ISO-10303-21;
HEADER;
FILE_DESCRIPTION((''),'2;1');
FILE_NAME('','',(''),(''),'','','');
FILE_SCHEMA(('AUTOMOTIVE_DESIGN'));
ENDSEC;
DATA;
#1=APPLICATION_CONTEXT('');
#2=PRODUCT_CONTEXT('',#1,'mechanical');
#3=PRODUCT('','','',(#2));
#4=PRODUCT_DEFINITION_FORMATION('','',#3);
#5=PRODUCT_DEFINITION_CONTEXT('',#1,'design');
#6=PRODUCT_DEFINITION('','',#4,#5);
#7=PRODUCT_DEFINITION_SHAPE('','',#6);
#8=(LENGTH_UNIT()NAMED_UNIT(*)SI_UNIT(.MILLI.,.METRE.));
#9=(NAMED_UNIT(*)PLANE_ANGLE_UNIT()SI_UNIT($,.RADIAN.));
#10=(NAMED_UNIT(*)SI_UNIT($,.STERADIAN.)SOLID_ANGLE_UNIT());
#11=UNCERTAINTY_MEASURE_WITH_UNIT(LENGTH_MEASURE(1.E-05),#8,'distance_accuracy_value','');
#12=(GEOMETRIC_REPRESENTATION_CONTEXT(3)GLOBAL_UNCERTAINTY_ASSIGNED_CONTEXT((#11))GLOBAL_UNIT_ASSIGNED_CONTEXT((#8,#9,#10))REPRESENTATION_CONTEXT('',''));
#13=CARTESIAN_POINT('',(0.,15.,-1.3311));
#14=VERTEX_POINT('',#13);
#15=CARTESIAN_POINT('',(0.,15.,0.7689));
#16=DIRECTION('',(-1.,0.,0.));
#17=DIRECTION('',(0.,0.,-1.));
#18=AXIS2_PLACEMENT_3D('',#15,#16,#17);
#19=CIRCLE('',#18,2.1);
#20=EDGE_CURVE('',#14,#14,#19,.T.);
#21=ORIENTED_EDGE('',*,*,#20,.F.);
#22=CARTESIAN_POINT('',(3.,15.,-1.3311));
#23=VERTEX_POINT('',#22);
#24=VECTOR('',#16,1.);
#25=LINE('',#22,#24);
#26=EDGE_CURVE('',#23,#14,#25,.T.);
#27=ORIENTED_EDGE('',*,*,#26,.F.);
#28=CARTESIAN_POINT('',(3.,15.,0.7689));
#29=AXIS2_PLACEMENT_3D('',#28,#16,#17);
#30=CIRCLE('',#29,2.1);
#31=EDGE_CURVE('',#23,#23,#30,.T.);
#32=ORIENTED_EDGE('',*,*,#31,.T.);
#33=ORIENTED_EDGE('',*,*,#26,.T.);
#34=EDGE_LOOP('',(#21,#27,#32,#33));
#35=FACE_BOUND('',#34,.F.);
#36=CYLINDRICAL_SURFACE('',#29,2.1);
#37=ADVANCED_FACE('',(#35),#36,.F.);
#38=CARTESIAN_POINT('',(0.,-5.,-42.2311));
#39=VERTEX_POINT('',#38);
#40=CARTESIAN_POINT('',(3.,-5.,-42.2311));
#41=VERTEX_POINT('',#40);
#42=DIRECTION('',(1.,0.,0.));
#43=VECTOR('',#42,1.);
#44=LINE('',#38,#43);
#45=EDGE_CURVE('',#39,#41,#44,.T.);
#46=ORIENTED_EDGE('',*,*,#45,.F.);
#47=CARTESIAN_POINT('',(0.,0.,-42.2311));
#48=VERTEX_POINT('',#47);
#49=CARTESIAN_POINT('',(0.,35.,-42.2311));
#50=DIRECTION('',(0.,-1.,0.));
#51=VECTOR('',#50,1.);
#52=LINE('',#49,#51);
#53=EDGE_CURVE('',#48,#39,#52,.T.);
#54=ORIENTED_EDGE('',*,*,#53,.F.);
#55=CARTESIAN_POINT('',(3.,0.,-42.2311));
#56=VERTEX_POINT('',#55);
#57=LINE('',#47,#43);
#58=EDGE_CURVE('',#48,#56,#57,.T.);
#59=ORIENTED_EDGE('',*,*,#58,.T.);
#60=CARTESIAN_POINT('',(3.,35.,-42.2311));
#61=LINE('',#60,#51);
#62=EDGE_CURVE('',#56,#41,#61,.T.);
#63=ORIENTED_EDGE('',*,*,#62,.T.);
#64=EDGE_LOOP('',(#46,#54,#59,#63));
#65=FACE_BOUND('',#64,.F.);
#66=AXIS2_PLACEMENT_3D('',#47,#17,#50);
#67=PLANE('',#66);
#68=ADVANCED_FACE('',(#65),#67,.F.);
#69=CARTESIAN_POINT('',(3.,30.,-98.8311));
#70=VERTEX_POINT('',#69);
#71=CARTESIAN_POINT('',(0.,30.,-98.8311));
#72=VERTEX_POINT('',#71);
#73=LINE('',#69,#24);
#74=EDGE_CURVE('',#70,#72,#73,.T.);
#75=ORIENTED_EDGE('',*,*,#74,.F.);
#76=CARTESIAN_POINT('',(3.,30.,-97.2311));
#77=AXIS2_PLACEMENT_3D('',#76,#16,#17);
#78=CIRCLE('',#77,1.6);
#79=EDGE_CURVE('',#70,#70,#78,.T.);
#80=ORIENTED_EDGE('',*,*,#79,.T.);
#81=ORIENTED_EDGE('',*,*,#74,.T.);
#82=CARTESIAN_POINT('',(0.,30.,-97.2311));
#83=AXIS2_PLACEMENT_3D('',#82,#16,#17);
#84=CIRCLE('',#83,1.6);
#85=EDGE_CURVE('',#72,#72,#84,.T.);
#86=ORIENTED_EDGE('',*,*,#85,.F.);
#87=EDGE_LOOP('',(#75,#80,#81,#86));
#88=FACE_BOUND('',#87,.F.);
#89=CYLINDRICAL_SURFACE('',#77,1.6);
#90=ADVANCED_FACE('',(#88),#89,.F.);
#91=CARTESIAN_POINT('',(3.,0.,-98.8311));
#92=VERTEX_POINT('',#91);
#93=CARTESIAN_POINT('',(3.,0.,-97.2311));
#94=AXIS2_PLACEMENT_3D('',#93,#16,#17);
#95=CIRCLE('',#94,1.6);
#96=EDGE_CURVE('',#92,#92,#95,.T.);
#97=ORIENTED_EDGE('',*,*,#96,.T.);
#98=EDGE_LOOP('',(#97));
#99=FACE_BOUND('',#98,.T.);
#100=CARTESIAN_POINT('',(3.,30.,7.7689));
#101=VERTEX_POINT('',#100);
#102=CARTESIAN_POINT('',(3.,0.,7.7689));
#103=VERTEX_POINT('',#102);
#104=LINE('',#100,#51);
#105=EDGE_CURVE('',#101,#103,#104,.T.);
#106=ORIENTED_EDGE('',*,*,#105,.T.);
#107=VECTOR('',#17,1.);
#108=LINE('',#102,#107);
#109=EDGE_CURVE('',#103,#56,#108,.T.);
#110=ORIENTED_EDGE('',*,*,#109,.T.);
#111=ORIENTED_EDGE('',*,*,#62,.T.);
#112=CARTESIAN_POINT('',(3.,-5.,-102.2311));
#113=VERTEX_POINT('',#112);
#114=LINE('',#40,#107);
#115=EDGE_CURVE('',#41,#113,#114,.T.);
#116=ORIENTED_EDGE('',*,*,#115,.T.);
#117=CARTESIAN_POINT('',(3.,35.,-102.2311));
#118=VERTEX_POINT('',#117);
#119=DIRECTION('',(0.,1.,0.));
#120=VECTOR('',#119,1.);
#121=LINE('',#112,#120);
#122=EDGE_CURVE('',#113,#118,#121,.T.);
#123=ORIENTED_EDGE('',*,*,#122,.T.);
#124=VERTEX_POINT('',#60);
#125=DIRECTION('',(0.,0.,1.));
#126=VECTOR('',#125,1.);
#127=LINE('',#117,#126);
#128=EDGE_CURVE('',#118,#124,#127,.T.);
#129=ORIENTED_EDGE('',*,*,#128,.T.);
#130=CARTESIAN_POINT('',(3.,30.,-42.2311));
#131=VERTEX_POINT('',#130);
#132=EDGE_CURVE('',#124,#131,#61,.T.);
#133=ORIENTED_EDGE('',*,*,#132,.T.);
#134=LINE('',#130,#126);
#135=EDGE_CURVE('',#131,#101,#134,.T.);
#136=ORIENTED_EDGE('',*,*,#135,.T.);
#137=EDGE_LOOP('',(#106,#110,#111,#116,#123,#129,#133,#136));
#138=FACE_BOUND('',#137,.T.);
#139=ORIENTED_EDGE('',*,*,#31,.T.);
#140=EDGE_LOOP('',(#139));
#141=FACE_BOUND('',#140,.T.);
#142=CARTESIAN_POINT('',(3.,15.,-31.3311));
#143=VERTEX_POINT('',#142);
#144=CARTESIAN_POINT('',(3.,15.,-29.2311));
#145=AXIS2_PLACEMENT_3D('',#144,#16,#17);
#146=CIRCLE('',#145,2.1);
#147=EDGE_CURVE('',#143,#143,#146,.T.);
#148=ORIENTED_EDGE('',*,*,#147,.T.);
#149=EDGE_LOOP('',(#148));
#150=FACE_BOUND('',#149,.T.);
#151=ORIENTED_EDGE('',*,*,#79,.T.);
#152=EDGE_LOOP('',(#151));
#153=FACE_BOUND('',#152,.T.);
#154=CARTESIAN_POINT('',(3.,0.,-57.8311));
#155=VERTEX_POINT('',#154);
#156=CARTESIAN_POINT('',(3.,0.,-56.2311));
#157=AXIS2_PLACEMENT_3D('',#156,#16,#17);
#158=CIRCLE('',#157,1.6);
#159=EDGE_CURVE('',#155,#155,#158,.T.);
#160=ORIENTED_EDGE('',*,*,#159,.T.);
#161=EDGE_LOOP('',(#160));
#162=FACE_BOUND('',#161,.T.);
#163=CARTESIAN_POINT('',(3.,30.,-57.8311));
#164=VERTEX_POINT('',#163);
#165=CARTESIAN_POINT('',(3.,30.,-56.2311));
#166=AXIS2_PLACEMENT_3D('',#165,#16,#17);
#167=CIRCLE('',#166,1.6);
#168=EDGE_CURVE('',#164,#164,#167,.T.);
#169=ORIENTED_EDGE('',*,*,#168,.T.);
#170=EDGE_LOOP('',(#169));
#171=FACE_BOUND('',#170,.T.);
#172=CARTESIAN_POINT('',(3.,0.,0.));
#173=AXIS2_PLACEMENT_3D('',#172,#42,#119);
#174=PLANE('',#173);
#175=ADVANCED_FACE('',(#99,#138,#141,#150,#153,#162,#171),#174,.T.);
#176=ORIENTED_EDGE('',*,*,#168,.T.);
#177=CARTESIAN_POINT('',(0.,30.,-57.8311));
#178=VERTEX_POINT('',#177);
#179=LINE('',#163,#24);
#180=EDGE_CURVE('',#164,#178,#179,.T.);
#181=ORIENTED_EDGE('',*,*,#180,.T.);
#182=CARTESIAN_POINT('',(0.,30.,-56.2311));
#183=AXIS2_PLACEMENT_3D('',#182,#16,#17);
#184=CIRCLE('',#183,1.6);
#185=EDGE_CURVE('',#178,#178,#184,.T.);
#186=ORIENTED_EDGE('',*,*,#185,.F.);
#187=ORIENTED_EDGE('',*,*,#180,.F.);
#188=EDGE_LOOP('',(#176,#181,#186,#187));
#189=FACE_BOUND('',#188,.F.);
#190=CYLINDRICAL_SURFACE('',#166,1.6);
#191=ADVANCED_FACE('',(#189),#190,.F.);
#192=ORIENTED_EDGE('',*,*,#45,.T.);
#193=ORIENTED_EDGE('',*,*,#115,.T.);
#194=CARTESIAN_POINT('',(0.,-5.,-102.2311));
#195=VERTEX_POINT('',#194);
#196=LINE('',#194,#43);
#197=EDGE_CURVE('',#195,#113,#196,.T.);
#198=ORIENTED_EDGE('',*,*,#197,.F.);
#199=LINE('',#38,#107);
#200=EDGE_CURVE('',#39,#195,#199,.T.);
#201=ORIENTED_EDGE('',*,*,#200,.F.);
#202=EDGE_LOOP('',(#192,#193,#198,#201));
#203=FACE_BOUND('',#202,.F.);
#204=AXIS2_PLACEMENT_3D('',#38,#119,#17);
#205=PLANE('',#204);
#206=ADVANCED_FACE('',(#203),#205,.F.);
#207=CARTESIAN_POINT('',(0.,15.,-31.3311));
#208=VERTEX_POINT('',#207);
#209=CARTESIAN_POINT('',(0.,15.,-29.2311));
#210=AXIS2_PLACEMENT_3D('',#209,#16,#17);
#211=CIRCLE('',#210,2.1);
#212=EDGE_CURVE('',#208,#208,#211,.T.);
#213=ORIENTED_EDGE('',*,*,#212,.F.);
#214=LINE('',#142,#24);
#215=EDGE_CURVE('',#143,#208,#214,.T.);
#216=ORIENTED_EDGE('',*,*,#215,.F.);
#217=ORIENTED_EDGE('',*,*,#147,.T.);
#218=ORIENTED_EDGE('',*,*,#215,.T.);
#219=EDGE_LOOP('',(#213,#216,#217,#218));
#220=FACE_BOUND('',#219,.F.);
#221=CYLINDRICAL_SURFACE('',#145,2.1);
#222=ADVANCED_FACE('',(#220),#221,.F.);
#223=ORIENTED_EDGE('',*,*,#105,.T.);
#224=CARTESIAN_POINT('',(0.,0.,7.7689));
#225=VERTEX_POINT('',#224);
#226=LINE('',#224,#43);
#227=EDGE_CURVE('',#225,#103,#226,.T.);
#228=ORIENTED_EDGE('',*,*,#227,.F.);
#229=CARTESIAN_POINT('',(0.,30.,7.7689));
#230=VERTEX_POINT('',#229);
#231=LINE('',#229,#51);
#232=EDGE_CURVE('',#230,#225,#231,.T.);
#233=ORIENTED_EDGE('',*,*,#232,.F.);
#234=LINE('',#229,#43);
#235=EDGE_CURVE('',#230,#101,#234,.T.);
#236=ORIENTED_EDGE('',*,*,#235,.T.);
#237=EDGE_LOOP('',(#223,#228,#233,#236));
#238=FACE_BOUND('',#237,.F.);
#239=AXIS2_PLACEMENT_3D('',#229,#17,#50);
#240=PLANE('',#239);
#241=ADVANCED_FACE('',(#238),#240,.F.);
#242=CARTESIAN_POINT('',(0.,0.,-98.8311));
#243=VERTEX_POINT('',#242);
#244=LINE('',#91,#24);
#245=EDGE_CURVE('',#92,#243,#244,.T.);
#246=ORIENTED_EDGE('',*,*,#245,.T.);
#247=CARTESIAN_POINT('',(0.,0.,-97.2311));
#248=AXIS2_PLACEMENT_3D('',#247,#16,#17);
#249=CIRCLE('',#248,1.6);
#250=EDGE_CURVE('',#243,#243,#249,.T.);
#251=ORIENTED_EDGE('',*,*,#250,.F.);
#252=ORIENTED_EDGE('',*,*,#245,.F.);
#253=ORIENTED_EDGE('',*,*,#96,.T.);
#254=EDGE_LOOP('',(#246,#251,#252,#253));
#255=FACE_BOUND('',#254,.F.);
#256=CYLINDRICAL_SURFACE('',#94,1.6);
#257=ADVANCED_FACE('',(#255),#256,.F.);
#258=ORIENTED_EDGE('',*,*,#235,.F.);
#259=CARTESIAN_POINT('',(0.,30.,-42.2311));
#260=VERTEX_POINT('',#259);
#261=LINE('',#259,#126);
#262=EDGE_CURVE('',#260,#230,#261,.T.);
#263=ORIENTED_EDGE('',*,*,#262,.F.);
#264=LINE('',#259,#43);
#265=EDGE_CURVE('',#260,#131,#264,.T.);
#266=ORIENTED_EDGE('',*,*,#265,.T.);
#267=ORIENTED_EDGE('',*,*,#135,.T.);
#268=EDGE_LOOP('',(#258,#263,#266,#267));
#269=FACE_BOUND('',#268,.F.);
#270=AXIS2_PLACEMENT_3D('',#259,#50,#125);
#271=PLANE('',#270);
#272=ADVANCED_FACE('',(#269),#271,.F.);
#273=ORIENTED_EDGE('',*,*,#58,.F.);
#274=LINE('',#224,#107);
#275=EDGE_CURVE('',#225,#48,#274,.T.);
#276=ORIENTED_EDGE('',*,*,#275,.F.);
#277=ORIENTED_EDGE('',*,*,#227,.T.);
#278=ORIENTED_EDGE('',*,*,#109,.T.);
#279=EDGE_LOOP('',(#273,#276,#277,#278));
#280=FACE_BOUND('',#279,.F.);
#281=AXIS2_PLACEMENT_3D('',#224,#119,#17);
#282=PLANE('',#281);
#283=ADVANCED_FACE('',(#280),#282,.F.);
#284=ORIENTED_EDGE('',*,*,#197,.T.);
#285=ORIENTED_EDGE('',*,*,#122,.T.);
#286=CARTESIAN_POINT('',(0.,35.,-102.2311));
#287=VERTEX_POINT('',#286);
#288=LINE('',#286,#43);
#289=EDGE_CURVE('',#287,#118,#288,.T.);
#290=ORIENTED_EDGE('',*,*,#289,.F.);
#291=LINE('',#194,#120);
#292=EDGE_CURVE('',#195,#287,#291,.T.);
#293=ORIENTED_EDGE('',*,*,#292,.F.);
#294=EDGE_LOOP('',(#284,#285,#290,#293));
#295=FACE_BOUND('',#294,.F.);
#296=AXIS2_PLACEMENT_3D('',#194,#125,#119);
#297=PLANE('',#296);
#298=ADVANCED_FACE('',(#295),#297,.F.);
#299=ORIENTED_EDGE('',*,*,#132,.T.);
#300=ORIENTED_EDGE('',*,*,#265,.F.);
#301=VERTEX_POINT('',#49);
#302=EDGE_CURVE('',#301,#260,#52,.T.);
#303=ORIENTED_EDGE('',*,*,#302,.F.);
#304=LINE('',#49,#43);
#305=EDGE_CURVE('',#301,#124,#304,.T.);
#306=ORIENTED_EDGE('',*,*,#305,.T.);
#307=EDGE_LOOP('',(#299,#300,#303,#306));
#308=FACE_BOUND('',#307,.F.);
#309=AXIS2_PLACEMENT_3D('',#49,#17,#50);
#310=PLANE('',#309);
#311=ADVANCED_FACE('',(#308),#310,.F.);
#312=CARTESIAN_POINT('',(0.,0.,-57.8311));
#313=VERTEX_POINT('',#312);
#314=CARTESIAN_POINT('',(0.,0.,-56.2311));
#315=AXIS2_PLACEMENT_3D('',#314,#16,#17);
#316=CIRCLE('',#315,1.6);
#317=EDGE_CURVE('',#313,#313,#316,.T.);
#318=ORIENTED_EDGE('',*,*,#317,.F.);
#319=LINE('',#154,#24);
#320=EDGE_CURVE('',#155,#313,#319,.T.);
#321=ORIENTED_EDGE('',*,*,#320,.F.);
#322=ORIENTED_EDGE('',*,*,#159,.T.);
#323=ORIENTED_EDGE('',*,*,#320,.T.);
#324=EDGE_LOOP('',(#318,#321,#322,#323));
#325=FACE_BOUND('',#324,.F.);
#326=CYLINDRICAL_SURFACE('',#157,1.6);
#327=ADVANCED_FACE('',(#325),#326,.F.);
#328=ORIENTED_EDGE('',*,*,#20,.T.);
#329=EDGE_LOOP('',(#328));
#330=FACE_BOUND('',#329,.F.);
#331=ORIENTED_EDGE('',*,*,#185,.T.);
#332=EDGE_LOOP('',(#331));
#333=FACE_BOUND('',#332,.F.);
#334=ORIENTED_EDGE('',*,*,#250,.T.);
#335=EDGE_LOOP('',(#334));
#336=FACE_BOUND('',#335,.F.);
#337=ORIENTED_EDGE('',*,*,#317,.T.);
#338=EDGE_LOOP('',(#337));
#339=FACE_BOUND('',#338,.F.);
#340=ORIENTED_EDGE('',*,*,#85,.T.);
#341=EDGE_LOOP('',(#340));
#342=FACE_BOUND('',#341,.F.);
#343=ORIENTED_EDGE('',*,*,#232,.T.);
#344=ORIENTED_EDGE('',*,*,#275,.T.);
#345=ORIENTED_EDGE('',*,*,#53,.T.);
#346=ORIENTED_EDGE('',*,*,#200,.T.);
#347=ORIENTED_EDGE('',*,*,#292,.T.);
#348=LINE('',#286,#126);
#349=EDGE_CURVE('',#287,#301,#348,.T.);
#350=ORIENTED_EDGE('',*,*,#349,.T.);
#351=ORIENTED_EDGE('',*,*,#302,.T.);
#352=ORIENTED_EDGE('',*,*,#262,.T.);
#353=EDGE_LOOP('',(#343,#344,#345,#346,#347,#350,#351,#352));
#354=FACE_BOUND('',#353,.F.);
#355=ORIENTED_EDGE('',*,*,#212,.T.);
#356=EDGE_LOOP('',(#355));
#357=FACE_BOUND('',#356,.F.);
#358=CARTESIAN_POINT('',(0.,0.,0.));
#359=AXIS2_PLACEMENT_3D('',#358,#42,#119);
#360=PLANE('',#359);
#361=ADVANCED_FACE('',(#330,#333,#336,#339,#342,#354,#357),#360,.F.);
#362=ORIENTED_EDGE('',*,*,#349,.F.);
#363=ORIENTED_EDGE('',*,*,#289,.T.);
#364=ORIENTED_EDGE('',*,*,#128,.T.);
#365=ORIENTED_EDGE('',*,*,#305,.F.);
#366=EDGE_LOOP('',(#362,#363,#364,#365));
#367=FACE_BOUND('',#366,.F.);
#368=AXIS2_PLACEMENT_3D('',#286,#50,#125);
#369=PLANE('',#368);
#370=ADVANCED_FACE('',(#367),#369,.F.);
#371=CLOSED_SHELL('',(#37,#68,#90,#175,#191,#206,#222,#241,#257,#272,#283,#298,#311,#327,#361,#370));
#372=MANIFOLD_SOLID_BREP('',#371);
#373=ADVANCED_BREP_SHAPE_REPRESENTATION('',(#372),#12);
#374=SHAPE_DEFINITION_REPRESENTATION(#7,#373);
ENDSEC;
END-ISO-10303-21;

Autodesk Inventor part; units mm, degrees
ref_plane "YZ Plane" through (0, 0, 0) normal (1, 0, 0) x (0, 1, 0)
ref_plane "XZ Plane" through (0, 0, 0) normal (0, 1, 0) x (-1, 0, 0)
ref_plane "XY Plane" through (0, 0, 0) normal (0, 0, 1) x (1, 0, 0)
sketch "スケッチ1" plane through (0, 0, 0) normal (1, 0, 0) x (0, 1, 0)
  line L0 (35, -42.2311) -> (-5, -42.2311)
  line L1 (-5, -42.2311) -> (-5, -102.2311)
  line L2 (-5, -102.2311) -> (35, -102.2311)
  line L3 (35, -102.2311) -> (35, -42.2311)
  line L4 (30, 7.7689) -> (0, 7.7689)
  line L5 (0, 7.7689) -> (0, -42.2311)
  line L6 (0, -42.2311) -> (30, -42.2311)
  line L7 (30, -42.2311) -> (30, 7.7689)
  dimension "d1" = 40
  dimension "d2" = 60
  dimension "d68" = 30
  dimension "d69" = 50
  dimension "d70" = 0
  dimension "d71" = 5
extrude "押し出し1" add sketch "スケッチ1" along normal blind 3
sketch "スケッチ4" plane through (3, 0, 0) normal (1, 0, 0) x (0, 0, -1)
  line L0 (56.2311, 30) -> (97.2311, 30)
  line L1 (97.2311, 30) -> (97.2311, 0)
  line L2 (97.2311, 0) -> (56.2311, 0)
  line L3 (56.2311, 0) -> (56.2311, 30)
  line L4 (102.2311, 35) -> (42.2311, 35) projected
  line L5 (102.2311, -5) -> (102.2311, 35) projected
  point P0 (0, 0)
  dimension "d29" = 41
  dimension "d30" = 30
  dimension "d31" = 5
  dimension "d32" = 5
hole "穴2" at (3, 30, -56.2311) at (3, 0, -56.2311) at (3, 0, -97.2311) at (3, 30, -97.2311) direction (-1, 0, 0) diameter 3.2 end through all
sketch "スケッチ7" plane through (3, 0, 0) normal (1, 0, 0) x (0, 0, -1)
  line L0 (102.2311, -5) -> (102.2311, 35) projected
  line L1 (102.2311, 15) -> (-7.7689, 15)
  line L2 (-7.7689, 30) -> (-7.7689, 0) projected
  point P0 (0, 0)
  point P1 (-0.7689, 15)
  point P2 (29.2311, 15)
  dimension "d72" = 7
  dimension "d73" = 30
hole "穴5" at (3, 15, 0.7689) at (3, 15, -29.2311) direction (-1, 0, 0) diameter 4.2 end through all
properties part number "link4_plate1" material "アルミニウム 6061"
